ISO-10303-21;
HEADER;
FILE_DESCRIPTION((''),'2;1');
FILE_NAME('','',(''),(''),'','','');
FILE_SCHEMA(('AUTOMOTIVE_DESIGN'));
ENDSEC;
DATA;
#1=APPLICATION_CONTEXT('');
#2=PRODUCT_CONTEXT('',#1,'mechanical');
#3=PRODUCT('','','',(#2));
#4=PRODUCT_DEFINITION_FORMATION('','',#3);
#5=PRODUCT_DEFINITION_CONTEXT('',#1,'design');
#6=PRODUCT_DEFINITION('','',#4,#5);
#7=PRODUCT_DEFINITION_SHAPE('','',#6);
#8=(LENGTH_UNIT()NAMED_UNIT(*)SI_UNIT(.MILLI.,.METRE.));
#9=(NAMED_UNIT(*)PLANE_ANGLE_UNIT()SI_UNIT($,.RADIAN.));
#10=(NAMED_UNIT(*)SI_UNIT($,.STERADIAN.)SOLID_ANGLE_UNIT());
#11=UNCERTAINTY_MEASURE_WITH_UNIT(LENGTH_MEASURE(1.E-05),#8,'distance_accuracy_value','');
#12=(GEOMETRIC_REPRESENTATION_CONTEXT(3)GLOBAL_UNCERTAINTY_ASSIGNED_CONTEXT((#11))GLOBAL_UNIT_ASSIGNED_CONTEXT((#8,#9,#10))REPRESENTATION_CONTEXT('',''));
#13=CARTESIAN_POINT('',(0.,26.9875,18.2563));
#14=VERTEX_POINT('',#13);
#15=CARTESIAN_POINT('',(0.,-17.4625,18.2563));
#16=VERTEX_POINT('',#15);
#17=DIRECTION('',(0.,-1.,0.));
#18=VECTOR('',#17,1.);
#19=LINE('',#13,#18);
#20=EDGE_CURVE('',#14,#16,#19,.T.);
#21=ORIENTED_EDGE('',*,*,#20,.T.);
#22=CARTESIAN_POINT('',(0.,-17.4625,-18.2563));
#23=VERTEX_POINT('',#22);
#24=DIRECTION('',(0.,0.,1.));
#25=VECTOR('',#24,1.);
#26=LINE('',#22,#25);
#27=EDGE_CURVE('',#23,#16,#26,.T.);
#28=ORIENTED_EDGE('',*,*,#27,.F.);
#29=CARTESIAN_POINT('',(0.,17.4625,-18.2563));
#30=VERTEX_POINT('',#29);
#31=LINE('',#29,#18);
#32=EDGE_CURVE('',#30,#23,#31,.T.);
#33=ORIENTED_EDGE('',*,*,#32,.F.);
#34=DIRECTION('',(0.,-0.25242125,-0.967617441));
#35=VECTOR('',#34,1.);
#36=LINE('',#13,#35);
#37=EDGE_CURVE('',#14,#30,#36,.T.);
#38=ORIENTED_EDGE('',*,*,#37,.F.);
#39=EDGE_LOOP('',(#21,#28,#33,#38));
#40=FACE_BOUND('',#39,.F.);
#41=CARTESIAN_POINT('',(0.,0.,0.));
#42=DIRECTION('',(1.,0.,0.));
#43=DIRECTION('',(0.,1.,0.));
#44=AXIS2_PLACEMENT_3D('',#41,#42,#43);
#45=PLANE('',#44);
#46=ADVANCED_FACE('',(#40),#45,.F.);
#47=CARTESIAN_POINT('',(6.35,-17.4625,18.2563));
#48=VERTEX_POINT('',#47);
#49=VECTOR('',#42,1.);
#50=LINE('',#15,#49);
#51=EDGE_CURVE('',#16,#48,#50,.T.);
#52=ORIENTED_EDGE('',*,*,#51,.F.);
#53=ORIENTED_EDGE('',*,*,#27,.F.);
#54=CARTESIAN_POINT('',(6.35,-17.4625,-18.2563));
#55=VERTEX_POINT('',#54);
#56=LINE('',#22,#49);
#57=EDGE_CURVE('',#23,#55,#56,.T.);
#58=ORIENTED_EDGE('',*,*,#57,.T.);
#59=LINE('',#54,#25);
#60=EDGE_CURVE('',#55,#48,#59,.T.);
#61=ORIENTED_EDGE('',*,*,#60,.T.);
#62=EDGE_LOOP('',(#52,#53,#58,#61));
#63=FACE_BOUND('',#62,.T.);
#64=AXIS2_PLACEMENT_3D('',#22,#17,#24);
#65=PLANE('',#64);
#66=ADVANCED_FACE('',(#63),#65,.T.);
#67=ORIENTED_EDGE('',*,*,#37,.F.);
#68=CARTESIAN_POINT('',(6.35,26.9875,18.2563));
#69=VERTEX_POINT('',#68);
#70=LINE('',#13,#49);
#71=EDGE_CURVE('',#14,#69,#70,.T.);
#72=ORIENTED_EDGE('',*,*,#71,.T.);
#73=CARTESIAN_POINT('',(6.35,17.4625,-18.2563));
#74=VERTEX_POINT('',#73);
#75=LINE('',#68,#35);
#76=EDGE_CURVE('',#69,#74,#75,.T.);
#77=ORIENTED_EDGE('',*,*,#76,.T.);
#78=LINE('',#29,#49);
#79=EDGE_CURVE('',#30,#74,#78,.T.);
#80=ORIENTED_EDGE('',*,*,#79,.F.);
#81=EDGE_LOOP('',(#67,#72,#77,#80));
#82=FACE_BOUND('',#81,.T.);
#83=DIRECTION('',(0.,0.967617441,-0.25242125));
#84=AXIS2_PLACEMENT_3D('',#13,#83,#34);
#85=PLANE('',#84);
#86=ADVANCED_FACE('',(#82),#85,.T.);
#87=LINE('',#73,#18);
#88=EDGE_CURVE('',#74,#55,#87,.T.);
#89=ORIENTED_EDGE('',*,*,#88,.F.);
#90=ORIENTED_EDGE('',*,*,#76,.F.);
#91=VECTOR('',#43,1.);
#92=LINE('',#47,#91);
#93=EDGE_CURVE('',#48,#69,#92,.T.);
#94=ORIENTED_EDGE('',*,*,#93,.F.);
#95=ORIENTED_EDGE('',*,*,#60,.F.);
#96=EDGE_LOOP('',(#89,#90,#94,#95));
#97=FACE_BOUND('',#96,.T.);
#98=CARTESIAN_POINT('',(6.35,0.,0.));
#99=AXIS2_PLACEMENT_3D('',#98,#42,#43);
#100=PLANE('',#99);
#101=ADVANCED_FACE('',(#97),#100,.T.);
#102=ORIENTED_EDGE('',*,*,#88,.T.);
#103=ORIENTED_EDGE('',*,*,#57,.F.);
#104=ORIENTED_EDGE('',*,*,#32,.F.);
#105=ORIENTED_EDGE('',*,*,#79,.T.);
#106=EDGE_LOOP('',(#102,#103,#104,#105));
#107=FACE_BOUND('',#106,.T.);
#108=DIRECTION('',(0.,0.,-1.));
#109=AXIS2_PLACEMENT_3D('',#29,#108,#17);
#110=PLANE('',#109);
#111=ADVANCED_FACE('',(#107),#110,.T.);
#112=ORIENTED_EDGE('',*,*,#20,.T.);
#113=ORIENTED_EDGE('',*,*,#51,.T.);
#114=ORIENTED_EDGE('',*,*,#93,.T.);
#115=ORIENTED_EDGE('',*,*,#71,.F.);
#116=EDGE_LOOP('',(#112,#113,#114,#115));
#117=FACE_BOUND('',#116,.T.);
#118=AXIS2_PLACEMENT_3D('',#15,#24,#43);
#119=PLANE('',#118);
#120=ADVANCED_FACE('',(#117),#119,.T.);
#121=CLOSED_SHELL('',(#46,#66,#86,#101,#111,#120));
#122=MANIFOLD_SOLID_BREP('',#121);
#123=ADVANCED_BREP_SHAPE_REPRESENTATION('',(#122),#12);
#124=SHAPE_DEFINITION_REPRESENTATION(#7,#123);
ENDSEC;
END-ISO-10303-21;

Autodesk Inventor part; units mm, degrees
ref_plane "YZ Plane" through (0, 0, 0) normal (1, 0, 0) x (0, 1, 0)
ref_plane "XZ Plane" through (0, 0, 0) normal (0, 1, 0) x (-1, 0, 0)
ref_plane "XY Plane" through (0, 0, 0) normal (0, 0, 1) x (1, 0, 0)
sketch "Sketch1" plane through (0, 0, 0) normal (1, 0, 0) x (0, 1, 0)
  line L0 (-17.4625, 18.2563) -> (17.4625, 18.2563)
  line L1 (17.4625, 18.2563) -> (17.4625, -18.2563)
  line L2 (17.4625, -18.2563) -> (-17.4625, -18.2563)
  line L3 (-17.4625, -18.2563) -> (-17.4625, 18.2563)
  line L4 (-17.4625, 18.2563) -> (17.4625, -18.2563) construction
  line L5 (17.4625, 18.2563) -> (-17.4625, -18.2563) construction
  line L6 (17.4625, -18.2563) -> (26.9875, -18.2562) construction
  line L7 (26.9875, -18.2562) -> (26.9875, 18.2563) construction
  line L8 (26.9875, 18.2563) -> (17.4625, 18.2563)
  line L9 (17.4625, 18.2563) -> (17.4625, -18.2563)
  line L10 (26.9875, 18.2563) -> (17.4625, -18.2563)
  point P0 (0, 0)
  dimension "d0" = 34.925
  dimension "d1" = 36.5125
  dimension "d2" = 44.45
extrude "Extrusion1" add sketch "Sketch1" along normal blind 6.35
properties part number "Front Plates" material "UHMW, White"
